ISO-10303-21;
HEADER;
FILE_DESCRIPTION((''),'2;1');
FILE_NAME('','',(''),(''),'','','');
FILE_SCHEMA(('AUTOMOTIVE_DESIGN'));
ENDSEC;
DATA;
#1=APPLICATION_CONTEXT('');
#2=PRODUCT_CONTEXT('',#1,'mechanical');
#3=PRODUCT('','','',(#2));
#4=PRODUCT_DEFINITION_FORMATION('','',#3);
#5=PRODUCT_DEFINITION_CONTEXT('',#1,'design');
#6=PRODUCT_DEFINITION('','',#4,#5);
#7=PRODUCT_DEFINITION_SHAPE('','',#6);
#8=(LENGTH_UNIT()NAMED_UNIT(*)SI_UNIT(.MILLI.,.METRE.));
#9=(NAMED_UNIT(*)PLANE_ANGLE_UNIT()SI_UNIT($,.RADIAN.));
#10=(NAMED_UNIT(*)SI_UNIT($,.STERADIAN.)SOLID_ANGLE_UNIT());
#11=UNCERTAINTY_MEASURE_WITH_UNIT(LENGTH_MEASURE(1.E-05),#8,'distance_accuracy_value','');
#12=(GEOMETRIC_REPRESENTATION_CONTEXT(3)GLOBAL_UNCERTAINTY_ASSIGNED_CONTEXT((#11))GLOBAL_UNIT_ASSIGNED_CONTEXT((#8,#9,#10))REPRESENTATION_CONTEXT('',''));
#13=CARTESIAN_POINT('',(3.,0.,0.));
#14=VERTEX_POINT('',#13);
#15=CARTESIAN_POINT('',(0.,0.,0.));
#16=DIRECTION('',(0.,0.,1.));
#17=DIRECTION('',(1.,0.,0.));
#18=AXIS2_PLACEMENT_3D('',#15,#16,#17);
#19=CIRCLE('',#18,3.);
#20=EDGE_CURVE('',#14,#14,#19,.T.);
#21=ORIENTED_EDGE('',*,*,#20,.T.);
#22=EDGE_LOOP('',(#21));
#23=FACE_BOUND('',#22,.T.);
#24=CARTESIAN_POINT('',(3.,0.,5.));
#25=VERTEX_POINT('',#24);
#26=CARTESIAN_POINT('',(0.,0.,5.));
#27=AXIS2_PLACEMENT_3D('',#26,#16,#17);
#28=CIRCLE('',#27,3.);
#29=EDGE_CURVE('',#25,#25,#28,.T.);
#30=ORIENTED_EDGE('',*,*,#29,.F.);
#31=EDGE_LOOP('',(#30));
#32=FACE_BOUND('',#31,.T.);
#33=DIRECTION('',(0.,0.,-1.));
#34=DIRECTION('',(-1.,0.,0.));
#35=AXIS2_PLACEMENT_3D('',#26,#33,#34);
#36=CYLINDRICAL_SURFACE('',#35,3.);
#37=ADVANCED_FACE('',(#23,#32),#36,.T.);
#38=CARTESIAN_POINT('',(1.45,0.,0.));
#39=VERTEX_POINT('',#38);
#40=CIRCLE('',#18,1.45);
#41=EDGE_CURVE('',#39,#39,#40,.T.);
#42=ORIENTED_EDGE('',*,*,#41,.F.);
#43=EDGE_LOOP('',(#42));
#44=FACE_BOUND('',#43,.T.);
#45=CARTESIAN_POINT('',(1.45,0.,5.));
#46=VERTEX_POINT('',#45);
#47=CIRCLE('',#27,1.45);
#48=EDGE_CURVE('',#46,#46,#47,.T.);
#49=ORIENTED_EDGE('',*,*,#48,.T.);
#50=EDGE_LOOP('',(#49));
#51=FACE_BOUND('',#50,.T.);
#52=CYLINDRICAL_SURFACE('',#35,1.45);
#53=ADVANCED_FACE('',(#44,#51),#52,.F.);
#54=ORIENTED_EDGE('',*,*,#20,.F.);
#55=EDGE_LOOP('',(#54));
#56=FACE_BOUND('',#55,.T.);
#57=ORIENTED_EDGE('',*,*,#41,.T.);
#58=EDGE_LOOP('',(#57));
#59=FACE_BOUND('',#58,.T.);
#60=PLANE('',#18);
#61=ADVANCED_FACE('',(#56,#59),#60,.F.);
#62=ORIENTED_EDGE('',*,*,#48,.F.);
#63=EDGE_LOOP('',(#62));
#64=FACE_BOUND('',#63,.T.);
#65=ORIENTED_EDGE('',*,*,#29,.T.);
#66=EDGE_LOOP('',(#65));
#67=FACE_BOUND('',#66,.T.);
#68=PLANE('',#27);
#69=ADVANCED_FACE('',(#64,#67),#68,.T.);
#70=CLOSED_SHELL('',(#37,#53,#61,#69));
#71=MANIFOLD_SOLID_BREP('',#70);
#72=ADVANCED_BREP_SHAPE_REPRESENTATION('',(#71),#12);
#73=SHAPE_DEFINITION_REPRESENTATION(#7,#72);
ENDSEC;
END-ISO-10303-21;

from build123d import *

# Parameters (mm, degrees)
SKETCH_1_R      = 3
SKETCH_1_R_2    = 1.45
EXTRUDE_1_DEPTH = 5


with BuildPart() as part:
    # Эскиз1 → Бобышка-Вытянуть1 (new body)
    with BuildSketch(Plane.XY):
        Circle(SKETCH_1_R)
        Circle(SKETCH_1_R_2, mode=Mode.SUBTRACT)
    extrude(amount=EXTRUDE_1_DEPTH)


solid = part.part
